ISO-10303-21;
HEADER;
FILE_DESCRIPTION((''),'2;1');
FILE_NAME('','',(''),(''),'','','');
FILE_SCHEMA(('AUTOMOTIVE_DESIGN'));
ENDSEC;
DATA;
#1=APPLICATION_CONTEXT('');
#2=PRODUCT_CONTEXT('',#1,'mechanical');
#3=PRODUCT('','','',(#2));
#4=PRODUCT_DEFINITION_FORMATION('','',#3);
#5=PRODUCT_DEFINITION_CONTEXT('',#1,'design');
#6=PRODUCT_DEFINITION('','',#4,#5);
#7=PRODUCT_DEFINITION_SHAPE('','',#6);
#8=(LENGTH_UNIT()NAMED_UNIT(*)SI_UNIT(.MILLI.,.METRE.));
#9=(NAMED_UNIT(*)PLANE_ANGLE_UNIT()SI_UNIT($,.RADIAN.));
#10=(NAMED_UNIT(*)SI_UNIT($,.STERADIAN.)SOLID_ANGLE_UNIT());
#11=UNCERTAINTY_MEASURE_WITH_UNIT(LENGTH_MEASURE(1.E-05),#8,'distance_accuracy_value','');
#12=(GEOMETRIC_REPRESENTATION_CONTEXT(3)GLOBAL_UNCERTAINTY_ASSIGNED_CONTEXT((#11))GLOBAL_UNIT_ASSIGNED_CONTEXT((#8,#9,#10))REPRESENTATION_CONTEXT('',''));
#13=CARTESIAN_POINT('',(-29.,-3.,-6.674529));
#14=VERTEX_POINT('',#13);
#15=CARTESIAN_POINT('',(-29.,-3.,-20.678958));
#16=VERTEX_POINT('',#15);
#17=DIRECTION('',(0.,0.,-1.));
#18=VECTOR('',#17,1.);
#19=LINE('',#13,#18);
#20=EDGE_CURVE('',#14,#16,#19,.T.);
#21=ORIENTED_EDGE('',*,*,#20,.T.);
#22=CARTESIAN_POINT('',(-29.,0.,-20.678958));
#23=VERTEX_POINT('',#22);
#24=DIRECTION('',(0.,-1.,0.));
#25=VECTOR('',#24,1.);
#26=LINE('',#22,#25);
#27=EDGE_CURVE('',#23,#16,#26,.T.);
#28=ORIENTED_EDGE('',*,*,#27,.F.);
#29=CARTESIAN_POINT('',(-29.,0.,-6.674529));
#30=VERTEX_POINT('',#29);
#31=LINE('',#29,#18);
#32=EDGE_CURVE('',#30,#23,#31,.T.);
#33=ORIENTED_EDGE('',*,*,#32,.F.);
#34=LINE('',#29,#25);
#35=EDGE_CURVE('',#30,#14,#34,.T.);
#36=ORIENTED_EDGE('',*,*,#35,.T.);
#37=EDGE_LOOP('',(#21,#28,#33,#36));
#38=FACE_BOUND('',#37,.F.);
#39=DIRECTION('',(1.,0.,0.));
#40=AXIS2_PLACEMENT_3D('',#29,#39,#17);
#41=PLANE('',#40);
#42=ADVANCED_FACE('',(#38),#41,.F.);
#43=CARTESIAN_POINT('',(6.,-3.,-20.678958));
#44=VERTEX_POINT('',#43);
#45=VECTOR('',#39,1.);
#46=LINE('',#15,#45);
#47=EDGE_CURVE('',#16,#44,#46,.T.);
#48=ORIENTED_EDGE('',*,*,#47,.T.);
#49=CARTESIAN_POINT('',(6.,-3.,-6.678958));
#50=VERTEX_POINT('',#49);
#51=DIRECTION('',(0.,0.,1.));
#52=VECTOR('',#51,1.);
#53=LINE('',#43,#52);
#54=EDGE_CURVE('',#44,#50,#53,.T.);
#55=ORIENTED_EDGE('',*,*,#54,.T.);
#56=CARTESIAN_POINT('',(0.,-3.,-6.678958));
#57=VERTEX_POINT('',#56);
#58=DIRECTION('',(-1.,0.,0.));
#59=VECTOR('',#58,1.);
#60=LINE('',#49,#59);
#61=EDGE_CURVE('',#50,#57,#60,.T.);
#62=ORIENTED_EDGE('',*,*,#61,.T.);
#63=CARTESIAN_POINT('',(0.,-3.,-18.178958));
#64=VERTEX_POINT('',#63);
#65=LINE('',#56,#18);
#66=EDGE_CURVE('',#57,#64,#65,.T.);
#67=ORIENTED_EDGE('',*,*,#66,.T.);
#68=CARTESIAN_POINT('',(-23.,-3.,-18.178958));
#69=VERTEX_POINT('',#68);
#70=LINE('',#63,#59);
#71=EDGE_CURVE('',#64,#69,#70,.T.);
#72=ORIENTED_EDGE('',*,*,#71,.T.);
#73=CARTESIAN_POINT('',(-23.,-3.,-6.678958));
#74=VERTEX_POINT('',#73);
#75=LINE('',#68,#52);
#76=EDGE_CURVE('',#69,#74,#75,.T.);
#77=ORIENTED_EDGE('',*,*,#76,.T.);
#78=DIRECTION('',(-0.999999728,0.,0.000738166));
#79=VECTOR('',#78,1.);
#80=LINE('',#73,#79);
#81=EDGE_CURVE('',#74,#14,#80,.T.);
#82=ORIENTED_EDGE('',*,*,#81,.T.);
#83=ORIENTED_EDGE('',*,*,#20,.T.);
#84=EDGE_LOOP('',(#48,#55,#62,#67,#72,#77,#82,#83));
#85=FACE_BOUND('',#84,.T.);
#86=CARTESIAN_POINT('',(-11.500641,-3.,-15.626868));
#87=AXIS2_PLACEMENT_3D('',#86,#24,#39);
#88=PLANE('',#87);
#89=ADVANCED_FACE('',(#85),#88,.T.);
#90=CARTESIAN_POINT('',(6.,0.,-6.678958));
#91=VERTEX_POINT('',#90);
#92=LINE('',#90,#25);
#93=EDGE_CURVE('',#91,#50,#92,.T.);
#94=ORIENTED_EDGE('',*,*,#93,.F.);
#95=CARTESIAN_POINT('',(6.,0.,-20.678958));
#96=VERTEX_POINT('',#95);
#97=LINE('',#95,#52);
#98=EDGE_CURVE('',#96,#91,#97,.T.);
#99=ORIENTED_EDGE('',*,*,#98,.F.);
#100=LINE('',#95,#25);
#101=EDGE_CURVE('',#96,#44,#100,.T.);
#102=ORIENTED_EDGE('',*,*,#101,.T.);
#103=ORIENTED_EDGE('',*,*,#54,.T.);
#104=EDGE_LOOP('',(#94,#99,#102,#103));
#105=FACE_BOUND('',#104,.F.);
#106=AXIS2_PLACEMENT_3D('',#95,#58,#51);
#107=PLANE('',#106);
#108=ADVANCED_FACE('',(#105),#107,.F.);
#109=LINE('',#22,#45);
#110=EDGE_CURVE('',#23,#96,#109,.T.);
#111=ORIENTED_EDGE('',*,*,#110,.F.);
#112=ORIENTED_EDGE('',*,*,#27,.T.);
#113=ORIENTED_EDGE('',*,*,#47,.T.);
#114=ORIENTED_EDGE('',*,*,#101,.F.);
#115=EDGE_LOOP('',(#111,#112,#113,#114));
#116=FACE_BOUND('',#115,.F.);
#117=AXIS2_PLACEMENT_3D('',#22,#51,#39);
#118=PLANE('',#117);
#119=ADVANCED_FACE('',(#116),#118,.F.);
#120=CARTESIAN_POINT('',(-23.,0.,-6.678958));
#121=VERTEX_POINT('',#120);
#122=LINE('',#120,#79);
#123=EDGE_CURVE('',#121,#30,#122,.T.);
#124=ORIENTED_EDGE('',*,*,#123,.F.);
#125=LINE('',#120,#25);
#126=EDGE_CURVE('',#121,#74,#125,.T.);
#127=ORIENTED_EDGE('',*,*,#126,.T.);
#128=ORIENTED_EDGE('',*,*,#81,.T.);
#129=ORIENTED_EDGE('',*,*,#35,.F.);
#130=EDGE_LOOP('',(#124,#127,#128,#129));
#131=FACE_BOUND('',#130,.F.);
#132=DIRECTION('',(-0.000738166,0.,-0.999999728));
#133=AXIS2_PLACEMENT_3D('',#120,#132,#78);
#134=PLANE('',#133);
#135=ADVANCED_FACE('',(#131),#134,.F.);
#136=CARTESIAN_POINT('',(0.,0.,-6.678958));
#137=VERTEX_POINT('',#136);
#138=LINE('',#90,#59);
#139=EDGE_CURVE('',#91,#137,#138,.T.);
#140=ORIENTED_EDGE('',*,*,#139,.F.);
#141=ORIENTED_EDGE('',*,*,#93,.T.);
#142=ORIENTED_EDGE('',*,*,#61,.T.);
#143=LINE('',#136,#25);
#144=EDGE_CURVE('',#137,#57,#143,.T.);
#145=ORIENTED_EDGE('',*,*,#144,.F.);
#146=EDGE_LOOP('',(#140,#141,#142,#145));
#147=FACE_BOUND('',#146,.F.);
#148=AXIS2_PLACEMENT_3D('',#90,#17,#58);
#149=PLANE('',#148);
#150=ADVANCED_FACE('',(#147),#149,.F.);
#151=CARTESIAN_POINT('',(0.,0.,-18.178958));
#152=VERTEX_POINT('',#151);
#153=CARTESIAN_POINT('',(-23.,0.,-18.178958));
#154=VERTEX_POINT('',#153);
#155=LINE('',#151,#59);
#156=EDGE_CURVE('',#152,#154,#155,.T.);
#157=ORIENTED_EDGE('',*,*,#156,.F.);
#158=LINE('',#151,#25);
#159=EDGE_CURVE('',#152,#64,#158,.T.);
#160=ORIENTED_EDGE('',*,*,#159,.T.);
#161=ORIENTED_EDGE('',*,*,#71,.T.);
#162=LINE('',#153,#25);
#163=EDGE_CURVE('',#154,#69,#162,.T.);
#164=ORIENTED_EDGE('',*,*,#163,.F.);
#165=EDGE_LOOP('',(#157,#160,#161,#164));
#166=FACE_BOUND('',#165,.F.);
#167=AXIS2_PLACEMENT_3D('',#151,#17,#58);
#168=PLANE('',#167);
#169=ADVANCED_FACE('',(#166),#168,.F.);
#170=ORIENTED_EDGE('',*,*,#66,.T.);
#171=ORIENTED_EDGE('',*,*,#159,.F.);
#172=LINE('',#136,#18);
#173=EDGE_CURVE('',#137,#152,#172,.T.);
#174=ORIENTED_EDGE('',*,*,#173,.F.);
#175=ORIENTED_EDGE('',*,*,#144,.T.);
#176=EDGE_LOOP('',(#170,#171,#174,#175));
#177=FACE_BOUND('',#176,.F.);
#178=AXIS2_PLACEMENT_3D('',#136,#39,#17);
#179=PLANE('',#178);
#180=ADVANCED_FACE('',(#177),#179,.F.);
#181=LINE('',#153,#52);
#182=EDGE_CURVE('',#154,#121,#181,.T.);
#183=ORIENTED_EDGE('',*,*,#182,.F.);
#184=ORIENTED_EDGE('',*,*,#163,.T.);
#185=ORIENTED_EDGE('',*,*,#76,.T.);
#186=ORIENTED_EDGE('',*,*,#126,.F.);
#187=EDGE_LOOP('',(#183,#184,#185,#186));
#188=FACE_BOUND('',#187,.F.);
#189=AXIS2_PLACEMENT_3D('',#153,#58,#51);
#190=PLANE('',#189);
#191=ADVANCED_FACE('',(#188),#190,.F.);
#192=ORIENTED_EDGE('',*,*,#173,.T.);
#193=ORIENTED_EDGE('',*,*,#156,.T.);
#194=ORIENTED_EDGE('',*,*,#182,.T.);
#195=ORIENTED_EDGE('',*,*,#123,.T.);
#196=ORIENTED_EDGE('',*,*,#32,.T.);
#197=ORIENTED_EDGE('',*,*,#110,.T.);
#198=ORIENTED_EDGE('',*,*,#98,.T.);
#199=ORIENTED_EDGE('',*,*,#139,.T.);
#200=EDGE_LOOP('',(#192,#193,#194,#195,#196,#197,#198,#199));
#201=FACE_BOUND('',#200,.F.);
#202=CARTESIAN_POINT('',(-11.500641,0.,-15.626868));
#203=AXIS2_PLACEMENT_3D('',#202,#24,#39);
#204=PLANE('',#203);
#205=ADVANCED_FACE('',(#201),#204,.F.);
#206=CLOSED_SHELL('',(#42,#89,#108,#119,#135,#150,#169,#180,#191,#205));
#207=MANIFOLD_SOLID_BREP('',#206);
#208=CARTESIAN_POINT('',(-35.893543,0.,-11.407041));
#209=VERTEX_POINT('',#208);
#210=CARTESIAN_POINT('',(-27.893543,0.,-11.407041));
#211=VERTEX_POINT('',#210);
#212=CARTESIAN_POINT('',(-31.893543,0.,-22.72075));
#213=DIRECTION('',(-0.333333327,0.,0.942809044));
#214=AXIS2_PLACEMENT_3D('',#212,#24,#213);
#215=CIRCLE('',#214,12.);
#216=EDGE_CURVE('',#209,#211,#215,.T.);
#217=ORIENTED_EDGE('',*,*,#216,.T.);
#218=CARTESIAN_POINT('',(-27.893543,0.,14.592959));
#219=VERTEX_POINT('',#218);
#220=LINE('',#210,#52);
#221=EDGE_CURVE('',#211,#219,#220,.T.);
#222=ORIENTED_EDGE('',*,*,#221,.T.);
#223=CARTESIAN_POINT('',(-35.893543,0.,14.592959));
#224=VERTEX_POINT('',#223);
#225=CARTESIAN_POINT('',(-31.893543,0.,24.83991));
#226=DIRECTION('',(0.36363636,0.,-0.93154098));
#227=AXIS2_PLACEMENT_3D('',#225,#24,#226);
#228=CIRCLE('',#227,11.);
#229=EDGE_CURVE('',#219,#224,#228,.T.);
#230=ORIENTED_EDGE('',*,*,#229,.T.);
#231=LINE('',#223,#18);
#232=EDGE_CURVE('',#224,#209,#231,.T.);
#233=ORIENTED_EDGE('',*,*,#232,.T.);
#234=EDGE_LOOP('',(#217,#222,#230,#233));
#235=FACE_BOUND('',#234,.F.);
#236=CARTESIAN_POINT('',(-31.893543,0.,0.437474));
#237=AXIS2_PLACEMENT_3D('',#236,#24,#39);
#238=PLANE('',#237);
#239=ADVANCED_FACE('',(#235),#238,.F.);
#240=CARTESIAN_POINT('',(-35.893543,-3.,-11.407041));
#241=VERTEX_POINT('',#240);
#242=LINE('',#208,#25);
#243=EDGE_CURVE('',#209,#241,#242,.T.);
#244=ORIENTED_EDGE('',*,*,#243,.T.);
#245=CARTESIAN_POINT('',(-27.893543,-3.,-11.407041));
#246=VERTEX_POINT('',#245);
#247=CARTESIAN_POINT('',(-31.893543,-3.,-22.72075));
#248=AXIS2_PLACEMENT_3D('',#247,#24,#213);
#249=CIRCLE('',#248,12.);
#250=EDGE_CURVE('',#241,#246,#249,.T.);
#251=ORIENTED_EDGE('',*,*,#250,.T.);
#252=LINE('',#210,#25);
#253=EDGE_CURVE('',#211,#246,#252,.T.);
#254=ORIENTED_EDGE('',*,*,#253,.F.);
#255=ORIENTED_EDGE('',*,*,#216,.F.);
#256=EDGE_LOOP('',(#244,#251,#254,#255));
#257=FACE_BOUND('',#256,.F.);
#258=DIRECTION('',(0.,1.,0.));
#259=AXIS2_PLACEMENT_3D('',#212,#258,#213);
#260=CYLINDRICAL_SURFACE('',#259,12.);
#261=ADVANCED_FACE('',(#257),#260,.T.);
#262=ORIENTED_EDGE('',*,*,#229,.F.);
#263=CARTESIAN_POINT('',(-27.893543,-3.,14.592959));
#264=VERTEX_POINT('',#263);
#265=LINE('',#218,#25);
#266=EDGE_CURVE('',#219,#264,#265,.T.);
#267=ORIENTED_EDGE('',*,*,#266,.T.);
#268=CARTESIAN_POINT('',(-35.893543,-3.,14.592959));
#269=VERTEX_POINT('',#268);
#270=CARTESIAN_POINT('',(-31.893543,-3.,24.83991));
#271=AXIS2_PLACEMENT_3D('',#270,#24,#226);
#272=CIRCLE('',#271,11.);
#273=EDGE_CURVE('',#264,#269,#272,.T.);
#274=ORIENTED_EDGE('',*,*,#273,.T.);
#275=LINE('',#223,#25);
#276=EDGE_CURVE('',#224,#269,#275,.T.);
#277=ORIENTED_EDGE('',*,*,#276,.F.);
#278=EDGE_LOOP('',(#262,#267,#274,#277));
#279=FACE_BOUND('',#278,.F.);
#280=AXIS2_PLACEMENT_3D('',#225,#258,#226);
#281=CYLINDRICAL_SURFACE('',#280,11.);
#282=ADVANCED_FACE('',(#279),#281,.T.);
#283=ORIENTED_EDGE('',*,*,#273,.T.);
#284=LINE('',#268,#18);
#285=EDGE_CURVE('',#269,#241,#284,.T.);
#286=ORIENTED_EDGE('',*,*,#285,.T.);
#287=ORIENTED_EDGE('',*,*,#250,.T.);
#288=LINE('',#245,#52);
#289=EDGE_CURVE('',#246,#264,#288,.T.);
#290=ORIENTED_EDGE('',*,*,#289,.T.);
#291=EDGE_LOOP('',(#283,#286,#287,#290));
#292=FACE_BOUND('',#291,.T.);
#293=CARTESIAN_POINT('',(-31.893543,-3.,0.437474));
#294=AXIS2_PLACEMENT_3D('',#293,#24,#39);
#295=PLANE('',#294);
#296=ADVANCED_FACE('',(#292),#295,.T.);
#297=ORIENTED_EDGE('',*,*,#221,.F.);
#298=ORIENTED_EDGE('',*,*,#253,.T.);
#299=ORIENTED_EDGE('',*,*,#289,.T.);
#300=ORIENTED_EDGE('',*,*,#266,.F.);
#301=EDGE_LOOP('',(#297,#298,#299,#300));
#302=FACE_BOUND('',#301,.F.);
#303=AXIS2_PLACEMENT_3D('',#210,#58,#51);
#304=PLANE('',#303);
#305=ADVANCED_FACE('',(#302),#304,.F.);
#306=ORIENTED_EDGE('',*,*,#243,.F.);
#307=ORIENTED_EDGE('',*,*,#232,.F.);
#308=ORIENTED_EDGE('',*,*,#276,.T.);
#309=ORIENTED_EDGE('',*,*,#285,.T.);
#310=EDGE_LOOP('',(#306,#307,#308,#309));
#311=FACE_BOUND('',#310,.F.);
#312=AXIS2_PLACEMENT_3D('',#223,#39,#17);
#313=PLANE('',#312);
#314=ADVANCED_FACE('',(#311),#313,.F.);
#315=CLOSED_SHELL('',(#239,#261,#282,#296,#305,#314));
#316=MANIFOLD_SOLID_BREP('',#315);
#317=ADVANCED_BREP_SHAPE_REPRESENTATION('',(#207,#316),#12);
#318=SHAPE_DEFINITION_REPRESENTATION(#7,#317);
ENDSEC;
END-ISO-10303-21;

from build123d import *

# Parameters (mm, degrees)
F1_DEPTH = 3
F3_DEPTH = 3


with BuildPart() as f1:
    # F0 (on Front) → F1 (new body)
    with BuildSketch(Plane.XZ):
        Polygon((-29, -6.674529), (-29, -20.678958), (6, -20.678958), (6, -6.678958), (0, -6.678958), (0, -18.178958), (-23, -18.178958), (-23, -6.678958), align=None)
    extrude(amount=F1_DEPTH)


with BuildPart() as f3:
    # F2 (on Front) → F3 (new body)
    with BuildSketch(Plane.XZ):
        with BuildLine():
            ThreePointArc((-27.893543, 14.592959), (-31.893543, 35.83991), (-35.893543, 14.592959))
            Line((-35.893543, 14.592959), (-35.893543, -11.407041))
            ThreePointArc((-35.893543, -11.407041), (-31.893543, -34.72075), (-27.893543, -11.407041))
            Line((-27.893543, -11.407041), (-27.893543, 14.592959))
        make_face()
    extrude(amount=F3_DEPTH)


solid = Compound([f1.part, f3.part])
